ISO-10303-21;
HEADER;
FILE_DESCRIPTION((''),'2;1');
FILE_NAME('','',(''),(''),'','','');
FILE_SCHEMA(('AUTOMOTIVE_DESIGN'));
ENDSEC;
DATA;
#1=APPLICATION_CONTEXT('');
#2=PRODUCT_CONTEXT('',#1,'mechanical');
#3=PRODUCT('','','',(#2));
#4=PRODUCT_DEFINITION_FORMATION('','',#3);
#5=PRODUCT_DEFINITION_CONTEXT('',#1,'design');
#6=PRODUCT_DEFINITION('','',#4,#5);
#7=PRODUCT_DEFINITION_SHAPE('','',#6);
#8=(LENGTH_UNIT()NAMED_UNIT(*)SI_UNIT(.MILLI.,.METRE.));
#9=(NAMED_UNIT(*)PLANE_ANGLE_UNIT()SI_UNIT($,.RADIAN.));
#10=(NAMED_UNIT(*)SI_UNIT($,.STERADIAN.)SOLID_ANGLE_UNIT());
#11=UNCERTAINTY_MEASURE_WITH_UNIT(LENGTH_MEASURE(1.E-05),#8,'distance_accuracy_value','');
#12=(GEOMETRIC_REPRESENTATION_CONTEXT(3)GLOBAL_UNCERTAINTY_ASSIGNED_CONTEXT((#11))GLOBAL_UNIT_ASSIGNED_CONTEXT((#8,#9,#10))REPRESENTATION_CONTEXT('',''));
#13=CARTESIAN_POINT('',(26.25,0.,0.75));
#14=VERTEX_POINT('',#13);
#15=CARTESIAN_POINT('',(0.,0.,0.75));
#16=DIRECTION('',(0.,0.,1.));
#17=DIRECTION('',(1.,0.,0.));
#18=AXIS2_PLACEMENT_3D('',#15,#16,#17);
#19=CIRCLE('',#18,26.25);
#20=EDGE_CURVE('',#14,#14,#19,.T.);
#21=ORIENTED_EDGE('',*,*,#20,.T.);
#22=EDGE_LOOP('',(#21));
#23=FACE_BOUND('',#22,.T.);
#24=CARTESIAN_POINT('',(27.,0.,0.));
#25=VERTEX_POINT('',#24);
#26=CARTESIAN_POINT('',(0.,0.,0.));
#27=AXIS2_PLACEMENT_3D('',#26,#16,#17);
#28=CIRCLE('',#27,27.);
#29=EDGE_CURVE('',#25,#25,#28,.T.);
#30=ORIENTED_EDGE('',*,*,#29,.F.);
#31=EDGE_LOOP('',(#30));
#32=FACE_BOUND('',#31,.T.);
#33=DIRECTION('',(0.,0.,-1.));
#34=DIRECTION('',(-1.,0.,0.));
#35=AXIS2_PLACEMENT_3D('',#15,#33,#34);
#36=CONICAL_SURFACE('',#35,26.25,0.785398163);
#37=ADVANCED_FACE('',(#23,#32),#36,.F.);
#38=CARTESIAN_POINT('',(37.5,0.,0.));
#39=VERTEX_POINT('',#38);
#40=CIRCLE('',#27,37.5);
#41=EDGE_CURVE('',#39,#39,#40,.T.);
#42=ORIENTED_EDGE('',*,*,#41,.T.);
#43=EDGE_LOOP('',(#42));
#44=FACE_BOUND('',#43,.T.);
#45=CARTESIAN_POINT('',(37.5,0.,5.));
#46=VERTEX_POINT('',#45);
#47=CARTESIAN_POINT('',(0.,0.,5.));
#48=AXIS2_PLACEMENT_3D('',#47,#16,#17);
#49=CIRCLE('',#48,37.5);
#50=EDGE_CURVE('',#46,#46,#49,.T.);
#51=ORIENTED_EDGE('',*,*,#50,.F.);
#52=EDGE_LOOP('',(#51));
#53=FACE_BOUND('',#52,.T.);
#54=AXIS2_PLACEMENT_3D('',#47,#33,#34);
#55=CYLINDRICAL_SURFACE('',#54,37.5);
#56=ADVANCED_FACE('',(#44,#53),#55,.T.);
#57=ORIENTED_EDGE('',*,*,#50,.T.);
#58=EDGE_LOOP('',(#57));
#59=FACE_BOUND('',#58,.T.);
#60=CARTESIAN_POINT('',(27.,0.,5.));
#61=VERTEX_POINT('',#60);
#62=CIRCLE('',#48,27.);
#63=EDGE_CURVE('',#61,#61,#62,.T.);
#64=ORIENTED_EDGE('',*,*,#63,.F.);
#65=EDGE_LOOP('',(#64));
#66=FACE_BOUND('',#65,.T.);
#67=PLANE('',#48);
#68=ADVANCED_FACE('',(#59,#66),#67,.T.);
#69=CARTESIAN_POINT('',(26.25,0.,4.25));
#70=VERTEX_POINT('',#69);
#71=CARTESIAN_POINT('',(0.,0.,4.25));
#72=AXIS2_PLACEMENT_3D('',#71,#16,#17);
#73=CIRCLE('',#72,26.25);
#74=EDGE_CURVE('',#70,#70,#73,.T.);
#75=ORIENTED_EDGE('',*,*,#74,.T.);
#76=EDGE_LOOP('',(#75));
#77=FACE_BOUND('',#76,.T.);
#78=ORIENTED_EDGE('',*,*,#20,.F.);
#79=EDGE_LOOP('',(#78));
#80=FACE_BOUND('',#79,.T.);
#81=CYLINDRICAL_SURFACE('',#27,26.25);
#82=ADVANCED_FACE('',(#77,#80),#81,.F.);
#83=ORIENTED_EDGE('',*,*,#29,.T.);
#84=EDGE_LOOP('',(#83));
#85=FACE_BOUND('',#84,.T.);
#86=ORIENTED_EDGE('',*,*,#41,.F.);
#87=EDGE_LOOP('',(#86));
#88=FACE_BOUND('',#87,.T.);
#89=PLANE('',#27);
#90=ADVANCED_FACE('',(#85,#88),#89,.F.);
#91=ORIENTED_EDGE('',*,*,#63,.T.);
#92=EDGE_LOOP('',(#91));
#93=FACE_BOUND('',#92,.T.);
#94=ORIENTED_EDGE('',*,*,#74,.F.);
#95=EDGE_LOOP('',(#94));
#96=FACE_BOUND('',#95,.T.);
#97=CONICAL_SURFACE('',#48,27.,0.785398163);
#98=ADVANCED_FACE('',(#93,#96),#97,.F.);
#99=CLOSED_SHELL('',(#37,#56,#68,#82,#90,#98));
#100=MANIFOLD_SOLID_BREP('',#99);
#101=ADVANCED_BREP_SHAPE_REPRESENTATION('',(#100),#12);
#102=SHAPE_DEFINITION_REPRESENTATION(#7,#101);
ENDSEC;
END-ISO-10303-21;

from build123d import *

# Parameters (mm, degrees)
GUARD_BASE_R     = 37.5
GUARD_DEPTH      = 5
AXLE_HOLE_BASE_R = 26.25
AXLE_HOLE_DEPTH  = 6


with BuildPart() as part:
    # Guard base → Guard (new body)
    with BuildSketch(Plane.XY):
        Circle(GUARD_BASE_R)
    extrude(amount=GUARD_DEPTH)

    # Axle hole base → Axle hole (cut, through all)
    with BuildSketch(Plane.XY.offset(5)):
        Circle(AXLE_HOLE_BASE_R)
    extrude(amount=-AXLE_HOLE_DEPTH, mode=Mode.SUBTRACT)

    # Mate ring room base → Mate ring room (revolve, cut)
    with BuildSketch(Plane(origin=(0, 0, 0), x_dir=(1, 0, 0), z_dir=(0, 1, 0))):
        Polygon((26.25, -5), (27, -5), (26.25, -4.25), align=None)
        Polygon((26.25, 0), (27, 0), (26.25, -0.75), align=None)
    revolve(axis=Axis((0, 0, 0), (0, 0, -1)), mode=Mode.SUBTRACT)


solid = part.part
